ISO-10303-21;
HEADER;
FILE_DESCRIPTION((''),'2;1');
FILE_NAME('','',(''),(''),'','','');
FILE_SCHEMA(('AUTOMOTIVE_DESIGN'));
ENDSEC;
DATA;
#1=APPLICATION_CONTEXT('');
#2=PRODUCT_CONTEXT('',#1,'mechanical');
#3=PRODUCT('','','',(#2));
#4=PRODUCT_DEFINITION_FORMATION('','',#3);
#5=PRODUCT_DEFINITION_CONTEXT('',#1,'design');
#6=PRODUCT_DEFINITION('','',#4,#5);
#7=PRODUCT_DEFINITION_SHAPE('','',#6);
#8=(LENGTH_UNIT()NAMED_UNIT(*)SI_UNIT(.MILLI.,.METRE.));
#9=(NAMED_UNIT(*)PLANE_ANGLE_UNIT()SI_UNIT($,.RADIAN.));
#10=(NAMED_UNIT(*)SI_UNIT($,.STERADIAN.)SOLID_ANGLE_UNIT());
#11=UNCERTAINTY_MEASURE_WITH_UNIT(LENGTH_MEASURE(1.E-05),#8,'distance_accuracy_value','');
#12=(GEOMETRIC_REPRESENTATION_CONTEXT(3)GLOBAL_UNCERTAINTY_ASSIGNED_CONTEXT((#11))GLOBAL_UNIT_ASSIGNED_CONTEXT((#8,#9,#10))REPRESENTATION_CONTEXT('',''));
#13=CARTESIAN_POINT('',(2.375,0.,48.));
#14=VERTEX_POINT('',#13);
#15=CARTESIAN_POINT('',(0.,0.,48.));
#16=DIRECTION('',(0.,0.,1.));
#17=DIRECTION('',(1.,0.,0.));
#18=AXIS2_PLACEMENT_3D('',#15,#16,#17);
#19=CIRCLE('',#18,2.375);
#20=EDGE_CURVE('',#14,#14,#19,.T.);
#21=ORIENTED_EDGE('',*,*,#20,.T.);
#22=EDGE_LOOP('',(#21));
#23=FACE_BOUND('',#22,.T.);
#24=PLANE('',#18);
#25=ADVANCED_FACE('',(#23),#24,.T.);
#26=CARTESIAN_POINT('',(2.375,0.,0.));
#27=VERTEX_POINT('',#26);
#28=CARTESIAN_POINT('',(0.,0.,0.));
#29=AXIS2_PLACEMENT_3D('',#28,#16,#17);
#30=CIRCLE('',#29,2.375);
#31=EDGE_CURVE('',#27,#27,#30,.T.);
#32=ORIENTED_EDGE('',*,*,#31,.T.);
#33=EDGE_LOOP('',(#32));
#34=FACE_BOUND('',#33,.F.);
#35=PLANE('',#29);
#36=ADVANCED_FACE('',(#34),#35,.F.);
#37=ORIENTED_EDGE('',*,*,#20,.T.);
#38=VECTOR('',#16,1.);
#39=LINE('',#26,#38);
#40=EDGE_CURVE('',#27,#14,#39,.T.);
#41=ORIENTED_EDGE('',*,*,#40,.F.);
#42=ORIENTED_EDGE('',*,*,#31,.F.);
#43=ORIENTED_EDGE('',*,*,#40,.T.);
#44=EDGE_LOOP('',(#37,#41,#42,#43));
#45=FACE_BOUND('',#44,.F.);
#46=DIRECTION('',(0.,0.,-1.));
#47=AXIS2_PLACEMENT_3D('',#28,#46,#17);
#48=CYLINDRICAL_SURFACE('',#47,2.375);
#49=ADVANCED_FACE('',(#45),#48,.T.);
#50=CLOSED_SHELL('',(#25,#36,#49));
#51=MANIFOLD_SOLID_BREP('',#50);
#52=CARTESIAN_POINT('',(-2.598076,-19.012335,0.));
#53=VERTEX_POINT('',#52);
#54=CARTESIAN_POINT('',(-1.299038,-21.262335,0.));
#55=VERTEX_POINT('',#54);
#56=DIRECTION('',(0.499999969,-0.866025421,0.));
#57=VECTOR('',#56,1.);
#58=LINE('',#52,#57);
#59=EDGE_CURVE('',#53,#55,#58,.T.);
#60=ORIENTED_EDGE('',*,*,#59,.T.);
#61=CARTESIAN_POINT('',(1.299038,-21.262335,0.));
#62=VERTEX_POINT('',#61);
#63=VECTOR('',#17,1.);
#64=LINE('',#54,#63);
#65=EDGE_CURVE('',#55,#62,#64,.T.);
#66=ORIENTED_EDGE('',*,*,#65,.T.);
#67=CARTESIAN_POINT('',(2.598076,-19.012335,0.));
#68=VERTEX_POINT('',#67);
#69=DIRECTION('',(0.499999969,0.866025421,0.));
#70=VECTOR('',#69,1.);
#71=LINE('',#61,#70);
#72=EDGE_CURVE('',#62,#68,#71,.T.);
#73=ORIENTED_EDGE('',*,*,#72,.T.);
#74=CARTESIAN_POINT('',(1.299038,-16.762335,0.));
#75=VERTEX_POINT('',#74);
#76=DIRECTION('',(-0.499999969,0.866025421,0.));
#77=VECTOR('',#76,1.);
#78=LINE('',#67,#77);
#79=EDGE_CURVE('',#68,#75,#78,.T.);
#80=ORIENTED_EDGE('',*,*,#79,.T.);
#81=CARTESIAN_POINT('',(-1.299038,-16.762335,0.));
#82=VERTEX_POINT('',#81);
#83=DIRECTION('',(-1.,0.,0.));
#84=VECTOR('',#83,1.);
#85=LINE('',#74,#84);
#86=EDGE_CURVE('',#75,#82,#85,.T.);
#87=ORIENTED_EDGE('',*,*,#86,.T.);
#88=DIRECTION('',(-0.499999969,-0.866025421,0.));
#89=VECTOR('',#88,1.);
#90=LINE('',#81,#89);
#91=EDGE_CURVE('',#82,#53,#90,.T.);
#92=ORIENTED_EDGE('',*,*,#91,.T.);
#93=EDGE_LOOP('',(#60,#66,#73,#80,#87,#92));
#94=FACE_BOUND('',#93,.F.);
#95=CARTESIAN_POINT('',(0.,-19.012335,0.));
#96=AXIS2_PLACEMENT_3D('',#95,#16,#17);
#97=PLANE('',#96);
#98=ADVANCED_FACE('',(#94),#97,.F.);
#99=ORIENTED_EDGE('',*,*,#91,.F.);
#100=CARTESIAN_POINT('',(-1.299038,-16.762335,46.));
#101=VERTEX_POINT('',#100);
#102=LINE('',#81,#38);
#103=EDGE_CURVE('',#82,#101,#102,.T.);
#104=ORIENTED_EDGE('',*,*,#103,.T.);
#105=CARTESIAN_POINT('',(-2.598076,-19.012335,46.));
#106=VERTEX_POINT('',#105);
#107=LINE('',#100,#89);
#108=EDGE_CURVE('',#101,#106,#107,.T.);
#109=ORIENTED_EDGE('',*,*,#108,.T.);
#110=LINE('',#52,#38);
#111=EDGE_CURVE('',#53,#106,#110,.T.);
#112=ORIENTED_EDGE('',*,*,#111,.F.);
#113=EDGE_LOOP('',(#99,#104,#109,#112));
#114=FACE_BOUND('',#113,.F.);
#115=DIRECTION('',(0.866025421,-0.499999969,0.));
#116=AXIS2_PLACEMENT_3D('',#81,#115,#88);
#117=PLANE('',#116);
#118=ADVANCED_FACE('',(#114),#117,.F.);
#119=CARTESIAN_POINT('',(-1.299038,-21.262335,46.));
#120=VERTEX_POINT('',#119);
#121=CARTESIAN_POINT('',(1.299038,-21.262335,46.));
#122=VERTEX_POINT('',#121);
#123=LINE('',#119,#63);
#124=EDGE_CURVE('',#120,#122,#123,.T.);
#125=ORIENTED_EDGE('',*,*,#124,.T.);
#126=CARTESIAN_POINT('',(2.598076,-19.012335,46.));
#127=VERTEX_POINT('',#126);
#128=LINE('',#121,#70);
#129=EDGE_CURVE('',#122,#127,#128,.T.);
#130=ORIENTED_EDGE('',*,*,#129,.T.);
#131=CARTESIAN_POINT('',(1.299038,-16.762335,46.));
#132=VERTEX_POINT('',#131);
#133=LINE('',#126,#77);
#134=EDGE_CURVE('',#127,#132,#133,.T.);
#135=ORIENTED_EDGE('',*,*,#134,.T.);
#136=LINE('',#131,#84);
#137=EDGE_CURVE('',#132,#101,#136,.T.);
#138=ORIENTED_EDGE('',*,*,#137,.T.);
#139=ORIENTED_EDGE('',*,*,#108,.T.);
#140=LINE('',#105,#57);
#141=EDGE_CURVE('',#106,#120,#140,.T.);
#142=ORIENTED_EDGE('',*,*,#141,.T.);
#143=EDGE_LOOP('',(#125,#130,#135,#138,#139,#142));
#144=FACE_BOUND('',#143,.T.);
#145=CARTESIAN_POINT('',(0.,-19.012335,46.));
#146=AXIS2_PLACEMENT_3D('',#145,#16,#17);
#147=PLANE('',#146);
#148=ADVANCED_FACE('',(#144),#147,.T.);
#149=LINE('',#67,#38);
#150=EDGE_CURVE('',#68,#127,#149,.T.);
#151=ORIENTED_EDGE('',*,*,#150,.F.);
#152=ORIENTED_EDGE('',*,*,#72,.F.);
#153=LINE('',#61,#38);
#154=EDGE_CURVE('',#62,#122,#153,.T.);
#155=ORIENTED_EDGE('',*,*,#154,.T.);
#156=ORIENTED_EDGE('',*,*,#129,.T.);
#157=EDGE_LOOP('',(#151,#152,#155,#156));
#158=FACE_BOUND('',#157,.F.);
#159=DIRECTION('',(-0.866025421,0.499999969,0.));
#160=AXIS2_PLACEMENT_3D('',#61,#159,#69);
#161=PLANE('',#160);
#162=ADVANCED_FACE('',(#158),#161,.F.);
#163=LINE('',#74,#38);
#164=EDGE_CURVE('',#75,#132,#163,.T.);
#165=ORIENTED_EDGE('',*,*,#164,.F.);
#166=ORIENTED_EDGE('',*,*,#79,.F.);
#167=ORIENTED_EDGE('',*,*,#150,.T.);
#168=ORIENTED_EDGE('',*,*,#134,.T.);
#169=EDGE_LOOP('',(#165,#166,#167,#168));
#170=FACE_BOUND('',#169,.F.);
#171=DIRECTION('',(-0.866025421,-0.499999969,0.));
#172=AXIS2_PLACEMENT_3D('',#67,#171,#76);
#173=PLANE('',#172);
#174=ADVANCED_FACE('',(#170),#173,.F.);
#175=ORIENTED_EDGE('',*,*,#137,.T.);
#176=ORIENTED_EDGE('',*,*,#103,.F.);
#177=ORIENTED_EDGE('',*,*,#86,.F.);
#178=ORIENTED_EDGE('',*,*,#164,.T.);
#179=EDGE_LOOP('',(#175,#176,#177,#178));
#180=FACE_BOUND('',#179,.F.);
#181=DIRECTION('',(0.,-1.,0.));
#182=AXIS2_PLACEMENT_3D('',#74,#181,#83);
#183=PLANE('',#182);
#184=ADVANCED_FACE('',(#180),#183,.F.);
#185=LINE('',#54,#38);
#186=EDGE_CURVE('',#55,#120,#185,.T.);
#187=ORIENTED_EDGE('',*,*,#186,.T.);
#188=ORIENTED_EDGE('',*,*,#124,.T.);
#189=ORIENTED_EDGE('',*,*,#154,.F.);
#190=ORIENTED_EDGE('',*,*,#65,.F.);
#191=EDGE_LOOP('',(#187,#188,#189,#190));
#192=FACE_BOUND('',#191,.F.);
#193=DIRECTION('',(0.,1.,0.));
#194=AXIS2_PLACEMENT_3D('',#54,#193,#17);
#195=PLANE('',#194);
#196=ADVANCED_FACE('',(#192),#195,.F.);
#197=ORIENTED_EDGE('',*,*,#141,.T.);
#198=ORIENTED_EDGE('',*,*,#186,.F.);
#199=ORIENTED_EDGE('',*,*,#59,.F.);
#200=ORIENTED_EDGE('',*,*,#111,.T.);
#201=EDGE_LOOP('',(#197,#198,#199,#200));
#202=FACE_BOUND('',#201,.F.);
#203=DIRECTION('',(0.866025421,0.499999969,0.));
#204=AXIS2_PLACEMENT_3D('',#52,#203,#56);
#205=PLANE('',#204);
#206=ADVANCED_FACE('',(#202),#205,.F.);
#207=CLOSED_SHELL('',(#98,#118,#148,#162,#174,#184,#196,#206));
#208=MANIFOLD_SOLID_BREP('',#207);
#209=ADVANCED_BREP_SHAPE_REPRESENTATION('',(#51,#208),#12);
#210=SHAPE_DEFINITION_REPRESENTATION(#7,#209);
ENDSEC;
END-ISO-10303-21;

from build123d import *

# Parameters (mm, degrees)
F0_R     = 2.375
F1_DEPTH = 48
F3_DEPTH = 46


with BuildPart() as f1:
    # F0 (on Top) → F1 (new body)
    with BuildSketch(Plane.XY):
        Circle(F0_R)
    extrude(amount=F1_DEPTH)


with BuildPart() as f3:
    # F2 (on Top) → F3 (new body)
    with BuildSketch(Plane.XY):
        Polygon((-1.299038, -21.262335), (1.299038, -21.262335), (2.598076, -19.012335), (1.299038, -16.762335), (-1.299038, -16.762335), (-2.598076, -19.012335), align=None)
    extrude(amount=F3_DEPTH)


solid = Compound([f1.part, f3.part])
